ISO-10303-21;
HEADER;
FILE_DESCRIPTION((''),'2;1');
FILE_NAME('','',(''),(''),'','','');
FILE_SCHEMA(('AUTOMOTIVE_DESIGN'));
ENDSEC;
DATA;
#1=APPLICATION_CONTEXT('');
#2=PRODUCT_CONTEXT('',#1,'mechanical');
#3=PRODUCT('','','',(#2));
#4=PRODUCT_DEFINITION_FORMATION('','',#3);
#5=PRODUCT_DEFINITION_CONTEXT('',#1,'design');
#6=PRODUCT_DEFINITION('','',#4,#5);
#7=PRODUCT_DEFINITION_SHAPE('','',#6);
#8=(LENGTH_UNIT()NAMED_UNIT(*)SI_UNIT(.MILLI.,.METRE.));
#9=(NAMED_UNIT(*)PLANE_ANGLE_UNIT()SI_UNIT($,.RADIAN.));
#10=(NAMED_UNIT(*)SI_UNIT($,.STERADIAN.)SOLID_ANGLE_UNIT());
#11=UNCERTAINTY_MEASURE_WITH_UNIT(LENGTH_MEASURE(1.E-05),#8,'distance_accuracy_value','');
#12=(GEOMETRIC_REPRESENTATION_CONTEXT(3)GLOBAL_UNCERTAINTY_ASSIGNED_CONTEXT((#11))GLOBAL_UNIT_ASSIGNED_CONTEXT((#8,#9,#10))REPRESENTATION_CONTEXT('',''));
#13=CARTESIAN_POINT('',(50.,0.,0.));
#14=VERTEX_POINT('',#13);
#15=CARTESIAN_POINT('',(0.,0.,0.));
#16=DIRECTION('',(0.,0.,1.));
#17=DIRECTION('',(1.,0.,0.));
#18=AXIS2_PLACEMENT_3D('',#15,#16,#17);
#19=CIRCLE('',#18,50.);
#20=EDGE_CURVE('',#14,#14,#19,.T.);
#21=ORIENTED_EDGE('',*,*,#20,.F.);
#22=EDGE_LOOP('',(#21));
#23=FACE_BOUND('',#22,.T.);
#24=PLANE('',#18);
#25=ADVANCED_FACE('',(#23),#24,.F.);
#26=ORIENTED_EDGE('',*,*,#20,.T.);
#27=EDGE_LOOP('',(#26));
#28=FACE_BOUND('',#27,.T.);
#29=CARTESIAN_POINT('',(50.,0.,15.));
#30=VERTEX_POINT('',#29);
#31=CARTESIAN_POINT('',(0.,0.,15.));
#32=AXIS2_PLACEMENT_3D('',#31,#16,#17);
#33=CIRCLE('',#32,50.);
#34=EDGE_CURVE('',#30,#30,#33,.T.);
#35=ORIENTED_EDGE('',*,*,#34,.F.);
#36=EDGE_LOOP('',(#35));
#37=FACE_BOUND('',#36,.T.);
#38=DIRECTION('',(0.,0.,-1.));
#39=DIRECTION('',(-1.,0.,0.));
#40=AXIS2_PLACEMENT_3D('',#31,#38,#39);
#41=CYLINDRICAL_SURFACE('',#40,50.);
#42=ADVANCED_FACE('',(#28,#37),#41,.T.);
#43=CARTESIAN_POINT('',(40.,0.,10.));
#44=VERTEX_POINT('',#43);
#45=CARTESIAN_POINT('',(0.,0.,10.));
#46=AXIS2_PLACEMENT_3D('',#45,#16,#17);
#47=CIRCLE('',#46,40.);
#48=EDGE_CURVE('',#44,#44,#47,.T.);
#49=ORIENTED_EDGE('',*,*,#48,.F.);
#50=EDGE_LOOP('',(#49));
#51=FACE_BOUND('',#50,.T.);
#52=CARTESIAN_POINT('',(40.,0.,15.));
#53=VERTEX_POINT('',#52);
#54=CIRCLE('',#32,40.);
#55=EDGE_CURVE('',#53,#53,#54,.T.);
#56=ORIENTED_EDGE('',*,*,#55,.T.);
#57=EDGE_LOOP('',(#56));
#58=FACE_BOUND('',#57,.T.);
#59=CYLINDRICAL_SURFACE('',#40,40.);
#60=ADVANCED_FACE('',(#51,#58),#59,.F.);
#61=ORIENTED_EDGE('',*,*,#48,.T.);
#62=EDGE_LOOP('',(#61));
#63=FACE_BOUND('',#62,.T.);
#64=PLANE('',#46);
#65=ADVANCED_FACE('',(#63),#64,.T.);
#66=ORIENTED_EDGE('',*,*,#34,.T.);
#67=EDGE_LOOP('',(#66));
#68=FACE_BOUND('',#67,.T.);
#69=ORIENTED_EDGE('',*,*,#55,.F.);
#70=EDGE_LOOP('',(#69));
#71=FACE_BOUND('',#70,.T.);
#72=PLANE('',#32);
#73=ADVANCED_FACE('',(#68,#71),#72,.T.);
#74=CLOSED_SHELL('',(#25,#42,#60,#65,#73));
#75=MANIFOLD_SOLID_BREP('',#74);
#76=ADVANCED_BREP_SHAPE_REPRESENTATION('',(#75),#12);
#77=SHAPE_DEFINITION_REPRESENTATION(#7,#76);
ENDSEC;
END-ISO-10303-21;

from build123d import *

# Parameters (mm, degrees)
SKETCH_1_R      = 50
EXTRUDE_1_DEPTH = 15
SHELL_1_T       = -10


with BuildPart() as part:
    # 草图1 → 凸台-拉伸1 (new body)
    with BuildSketch(Plane.XY):
        Circle(SKETCH_1_R)
    extrude(amount=EXTRUDE_1_DEPTH)

    # 抽壳1
    shell_1_openings = [part.faces().sort_by_distance(p)[0] for p in [
        (0, 0, 15),
    ]]
    offset(amount=SHELL_1_T, openings=shell_1_openings, kind=Kind.INTERSECTION)


solid = part.part
